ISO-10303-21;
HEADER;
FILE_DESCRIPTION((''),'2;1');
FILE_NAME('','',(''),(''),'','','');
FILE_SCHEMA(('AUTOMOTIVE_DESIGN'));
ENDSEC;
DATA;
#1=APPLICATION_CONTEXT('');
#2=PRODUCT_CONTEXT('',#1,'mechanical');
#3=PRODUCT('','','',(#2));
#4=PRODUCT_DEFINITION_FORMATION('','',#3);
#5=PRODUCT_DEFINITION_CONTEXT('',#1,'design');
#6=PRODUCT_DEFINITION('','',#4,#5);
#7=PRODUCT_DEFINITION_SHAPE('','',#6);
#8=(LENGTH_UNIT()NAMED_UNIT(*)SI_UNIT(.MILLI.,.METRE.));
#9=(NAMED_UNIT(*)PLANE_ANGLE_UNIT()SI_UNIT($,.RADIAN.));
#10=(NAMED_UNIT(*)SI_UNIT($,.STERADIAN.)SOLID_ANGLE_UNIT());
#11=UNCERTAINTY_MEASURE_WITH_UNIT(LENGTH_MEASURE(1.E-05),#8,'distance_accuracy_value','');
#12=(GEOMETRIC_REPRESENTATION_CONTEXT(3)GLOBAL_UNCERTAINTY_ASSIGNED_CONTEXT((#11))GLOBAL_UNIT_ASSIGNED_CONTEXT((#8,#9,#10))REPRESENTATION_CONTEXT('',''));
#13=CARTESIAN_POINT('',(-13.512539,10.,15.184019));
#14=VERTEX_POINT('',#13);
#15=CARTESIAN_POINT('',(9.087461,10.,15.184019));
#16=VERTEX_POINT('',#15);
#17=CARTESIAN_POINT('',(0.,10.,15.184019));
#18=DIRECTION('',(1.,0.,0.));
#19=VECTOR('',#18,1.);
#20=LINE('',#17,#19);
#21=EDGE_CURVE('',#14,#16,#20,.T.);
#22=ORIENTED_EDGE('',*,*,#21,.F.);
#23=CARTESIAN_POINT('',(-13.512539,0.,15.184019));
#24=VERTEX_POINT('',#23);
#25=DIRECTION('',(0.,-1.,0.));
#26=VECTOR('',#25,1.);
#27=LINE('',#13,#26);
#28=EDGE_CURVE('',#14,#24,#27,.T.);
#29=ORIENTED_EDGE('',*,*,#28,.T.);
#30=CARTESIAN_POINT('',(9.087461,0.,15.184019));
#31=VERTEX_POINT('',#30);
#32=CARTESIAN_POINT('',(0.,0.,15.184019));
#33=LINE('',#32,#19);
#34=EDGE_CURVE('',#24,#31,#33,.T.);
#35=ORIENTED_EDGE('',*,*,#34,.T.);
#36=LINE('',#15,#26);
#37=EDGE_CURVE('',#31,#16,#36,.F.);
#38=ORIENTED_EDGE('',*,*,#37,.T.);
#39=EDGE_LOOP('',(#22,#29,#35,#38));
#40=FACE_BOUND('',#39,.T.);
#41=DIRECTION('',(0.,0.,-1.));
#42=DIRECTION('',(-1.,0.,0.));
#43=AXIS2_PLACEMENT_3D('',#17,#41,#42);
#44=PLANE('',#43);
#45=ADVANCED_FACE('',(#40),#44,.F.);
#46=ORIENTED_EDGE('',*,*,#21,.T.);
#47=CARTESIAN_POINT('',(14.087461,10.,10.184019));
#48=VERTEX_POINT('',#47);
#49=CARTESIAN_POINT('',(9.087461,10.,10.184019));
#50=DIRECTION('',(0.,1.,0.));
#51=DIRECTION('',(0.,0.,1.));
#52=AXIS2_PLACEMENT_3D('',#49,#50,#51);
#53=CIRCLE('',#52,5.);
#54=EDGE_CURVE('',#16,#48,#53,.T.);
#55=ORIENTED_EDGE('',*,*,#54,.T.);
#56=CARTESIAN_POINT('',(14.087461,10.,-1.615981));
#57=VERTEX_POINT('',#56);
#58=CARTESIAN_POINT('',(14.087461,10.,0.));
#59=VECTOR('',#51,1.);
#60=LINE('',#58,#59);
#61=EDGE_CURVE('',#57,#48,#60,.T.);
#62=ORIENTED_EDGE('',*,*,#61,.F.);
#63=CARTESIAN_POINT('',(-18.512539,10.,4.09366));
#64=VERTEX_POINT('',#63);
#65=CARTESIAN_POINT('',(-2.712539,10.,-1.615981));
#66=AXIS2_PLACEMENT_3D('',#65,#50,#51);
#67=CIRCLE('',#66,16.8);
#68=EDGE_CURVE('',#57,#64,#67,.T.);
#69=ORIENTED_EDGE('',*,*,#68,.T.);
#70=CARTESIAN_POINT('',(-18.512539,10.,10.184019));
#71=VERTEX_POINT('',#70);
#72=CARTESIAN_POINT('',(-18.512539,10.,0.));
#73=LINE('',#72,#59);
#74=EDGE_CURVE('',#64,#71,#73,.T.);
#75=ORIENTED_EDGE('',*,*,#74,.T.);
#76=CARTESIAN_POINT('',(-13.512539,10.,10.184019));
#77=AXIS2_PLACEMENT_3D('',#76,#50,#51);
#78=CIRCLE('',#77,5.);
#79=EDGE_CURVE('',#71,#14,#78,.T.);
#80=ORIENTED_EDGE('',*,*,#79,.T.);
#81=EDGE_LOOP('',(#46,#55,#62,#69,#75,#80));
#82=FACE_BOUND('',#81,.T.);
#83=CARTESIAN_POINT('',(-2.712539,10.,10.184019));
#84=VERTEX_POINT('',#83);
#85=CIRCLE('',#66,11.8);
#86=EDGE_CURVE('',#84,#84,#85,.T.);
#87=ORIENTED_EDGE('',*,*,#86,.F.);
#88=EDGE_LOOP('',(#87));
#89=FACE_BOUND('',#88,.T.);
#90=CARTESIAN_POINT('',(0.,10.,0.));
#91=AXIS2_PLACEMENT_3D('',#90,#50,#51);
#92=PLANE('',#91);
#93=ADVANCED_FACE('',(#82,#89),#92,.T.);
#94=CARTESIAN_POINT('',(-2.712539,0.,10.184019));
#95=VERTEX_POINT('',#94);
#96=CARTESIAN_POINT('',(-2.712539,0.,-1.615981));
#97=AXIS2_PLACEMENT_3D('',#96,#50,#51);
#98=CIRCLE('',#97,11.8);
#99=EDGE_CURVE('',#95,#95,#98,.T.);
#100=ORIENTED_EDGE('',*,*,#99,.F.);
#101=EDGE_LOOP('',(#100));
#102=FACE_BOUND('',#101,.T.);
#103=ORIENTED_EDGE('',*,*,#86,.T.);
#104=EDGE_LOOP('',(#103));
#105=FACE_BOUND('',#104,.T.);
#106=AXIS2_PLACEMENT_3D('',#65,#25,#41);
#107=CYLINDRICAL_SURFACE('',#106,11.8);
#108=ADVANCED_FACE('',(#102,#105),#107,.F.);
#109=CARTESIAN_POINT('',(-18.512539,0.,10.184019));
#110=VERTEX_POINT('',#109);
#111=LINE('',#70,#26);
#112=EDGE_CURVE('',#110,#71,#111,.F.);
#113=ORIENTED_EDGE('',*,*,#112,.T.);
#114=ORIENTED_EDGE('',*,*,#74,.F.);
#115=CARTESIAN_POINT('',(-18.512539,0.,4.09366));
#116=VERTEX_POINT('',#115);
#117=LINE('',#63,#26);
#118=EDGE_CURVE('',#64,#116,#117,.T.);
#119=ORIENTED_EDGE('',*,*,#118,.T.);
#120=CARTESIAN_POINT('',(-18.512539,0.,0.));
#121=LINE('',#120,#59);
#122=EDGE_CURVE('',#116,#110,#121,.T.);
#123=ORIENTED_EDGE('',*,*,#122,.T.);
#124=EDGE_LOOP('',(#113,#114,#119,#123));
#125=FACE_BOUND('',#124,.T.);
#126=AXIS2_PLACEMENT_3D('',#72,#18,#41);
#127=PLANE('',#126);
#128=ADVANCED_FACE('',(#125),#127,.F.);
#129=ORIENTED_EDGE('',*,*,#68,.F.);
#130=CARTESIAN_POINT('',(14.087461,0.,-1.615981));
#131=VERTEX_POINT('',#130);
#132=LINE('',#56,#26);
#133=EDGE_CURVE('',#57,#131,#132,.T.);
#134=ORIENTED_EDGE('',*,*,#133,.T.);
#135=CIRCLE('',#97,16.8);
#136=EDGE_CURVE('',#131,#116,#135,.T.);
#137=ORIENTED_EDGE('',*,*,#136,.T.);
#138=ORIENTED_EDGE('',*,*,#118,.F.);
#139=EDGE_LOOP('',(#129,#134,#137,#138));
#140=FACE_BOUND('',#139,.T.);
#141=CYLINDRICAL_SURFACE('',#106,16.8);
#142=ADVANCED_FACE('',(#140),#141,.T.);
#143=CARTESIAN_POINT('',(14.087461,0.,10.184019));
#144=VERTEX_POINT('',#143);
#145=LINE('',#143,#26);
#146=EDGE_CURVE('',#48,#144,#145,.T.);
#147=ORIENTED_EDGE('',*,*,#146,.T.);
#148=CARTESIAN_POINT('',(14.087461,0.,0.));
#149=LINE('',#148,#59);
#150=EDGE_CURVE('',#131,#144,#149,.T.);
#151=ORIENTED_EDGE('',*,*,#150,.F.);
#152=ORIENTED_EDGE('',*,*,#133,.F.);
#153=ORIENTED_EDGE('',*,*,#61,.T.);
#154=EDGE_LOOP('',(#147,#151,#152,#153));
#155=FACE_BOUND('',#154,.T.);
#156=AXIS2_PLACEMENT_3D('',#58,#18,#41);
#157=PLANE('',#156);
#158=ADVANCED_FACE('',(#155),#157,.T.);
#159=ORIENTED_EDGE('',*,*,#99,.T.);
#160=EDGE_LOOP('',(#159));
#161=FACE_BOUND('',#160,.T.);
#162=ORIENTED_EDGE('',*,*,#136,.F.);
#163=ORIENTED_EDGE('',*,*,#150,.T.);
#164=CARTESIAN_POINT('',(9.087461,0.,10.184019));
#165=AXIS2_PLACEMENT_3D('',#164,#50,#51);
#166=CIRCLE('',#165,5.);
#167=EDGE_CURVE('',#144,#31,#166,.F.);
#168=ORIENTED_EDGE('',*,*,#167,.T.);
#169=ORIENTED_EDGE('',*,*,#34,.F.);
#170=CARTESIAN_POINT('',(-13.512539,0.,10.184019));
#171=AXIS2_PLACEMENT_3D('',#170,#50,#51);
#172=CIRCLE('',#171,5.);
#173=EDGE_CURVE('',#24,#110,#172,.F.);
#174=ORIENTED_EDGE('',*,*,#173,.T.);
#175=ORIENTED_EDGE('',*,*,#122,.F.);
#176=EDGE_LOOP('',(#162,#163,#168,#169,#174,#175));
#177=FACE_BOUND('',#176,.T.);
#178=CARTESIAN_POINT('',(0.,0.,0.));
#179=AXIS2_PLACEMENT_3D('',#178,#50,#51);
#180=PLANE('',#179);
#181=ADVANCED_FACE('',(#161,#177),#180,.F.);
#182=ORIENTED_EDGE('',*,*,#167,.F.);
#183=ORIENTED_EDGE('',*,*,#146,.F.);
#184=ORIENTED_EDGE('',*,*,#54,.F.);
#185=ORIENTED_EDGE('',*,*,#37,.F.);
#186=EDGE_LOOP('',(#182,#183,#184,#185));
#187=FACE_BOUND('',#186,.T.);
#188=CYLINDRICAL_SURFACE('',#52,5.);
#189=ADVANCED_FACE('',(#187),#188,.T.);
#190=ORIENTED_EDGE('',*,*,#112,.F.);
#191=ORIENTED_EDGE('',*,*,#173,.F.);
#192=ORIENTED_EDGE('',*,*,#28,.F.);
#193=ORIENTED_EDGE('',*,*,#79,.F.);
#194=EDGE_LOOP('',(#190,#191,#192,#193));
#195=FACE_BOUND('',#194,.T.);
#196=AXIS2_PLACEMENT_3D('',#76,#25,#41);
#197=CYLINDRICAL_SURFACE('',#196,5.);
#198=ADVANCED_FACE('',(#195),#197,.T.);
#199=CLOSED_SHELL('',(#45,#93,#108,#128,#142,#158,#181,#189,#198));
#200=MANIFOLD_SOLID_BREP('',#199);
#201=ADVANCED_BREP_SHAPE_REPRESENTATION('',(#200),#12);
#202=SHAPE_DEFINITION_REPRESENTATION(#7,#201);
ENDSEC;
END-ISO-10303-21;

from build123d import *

# Parameters (mm, degrees)
SKETCH1_R           = 11.8
BOSS_EXTRUDE2_DEPTH = 10
FILLET1_R           = 5


with BuildPart() as part:
    # Sketch1 → Boss-Extrude2 (new body)
    with BuildSketch(Plane(origin=(0, 0, 0), x_dir=(1, 0, 0), z_dir=(0, 1, 0))):
        with BuildLine():
            Line((14.087461292, -15.184019493), (14.087461292, 1.615980507))
            ThreePointArc((14.087461292, 1.615980507), (-5.610814057, 18.164092181), (-18.512538708, -4.093660463))
            Line((-18.512538708, -4.093660463), (-18.512538708, -15.184019493))
            Line((-18.512538708, -15.184019493), (14.087461292, -15.184019493))
        make_face()
        with Locations(Location((-2.712538708, 1.615980507, 0), (0, 0, 270))):
            Circle(SKETCH1_R, mode=Mode.SUBTRACT)
    extrude(amount=BOSS_EXTRUDE2_DEPTH)

    # Fillet1
    fillet1_edges = [part.edges().sort_by_distance(p)[0] for p in [
        (14.087461292, 5, 15.184019493),
        (-18.512538708, 5, 15.184019493),
    ]]
    fillet(fillet1_edges, radius=FILLET1_R)


solid = part.part
